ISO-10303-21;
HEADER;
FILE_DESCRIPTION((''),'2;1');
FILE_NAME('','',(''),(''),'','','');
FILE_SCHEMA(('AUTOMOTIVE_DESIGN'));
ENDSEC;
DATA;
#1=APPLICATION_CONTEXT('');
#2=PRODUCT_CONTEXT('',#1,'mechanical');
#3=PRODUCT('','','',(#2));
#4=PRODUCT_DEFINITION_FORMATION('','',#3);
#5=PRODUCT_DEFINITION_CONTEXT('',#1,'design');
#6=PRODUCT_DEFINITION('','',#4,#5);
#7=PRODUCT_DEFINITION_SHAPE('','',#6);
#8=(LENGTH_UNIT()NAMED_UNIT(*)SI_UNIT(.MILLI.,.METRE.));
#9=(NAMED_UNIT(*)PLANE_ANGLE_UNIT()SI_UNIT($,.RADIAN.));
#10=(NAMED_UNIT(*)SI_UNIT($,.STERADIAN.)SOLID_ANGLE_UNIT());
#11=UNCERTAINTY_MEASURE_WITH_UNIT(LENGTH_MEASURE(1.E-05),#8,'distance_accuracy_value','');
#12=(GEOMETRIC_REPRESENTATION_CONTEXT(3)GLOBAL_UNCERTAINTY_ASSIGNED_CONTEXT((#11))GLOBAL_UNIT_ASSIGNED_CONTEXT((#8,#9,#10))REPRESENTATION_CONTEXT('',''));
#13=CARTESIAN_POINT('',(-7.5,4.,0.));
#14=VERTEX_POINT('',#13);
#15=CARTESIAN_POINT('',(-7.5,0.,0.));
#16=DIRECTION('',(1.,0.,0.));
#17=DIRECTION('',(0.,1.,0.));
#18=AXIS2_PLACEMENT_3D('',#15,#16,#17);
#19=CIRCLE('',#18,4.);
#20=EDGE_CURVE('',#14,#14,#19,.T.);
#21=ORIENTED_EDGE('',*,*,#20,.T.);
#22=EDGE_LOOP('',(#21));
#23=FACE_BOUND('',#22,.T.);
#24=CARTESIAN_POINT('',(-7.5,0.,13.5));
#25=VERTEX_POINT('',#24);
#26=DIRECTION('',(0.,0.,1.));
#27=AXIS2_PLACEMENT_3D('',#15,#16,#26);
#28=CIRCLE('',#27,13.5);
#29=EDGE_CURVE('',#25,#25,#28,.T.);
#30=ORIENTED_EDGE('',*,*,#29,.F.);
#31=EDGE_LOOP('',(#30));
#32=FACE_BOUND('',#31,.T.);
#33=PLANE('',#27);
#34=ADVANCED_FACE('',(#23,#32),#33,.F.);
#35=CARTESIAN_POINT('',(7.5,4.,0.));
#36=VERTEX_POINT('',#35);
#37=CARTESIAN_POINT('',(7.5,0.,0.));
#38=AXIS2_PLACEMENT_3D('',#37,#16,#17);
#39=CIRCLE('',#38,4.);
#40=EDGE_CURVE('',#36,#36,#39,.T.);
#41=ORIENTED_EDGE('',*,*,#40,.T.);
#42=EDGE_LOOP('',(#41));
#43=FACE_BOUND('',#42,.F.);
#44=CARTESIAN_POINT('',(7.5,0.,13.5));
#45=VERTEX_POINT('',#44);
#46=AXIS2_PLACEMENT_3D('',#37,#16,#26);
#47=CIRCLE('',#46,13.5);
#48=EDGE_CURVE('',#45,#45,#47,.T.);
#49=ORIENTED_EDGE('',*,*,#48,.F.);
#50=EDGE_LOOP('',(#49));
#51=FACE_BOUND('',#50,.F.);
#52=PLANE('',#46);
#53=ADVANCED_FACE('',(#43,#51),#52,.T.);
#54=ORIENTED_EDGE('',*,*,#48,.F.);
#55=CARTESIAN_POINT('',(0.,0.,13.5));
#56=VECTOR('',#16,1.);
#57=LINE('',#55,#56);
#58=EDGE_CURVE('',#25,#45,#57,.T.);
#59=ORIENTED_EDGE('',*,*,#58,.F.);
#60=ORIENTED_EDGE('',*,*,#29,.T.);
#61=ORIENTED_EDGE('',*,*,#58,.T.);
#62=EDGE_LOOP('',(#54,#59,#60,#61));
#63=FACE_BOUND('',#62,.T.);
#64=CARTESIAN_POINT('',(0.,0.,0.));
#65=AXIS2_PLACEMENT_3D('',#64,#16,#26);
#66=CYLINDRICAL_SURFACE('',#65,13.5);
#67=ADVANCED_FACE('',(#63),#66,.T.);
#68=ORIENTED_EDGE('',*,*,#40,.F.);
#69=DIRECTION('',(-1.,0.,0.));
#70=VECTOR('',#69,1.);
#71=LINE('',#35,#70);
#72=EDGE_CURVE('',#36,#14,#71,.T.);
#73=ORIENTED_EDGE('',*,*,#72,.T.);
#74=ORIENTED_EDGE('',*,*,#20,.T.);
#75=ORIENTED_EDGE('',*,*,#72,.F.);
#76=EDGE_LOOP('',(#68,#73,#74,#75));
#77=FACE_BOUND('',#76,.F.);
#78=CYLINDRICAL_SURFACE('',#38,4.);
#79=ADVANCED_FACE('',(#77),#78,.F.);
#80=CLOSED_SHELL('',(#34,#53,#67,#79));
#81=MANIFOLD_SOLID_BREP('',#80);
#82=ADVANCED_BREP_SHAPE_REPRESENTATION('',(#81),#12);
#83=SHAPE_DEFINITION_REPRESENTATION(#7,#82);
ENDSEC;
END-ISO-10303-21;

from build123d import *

# Parameters (mm, degrees)
F0_W     = 15
F0_H     = 13.5
F2_R     = 4
F3_DEPTH = 15.001


with BuildPart() as f1:
    # F0 (on Front) → F1 (revolve)
    with BuildSketch(Plane.XZ):
        with Locations((0, 6.75)):
            Rectangle(F0_W, F0_H)
    revolve(axis=Axis((0, 0, 0), (1, 0, 0)))

    # F2 (on face) → F3 (cut, through all)
    with BuildSketch(Plane.YZ.offset(7.5)):
        Circle(F2_R)
    extrude(amount=-F3_DEPTH, mode=Mode.SUBTRACT)


solid = f1.part
